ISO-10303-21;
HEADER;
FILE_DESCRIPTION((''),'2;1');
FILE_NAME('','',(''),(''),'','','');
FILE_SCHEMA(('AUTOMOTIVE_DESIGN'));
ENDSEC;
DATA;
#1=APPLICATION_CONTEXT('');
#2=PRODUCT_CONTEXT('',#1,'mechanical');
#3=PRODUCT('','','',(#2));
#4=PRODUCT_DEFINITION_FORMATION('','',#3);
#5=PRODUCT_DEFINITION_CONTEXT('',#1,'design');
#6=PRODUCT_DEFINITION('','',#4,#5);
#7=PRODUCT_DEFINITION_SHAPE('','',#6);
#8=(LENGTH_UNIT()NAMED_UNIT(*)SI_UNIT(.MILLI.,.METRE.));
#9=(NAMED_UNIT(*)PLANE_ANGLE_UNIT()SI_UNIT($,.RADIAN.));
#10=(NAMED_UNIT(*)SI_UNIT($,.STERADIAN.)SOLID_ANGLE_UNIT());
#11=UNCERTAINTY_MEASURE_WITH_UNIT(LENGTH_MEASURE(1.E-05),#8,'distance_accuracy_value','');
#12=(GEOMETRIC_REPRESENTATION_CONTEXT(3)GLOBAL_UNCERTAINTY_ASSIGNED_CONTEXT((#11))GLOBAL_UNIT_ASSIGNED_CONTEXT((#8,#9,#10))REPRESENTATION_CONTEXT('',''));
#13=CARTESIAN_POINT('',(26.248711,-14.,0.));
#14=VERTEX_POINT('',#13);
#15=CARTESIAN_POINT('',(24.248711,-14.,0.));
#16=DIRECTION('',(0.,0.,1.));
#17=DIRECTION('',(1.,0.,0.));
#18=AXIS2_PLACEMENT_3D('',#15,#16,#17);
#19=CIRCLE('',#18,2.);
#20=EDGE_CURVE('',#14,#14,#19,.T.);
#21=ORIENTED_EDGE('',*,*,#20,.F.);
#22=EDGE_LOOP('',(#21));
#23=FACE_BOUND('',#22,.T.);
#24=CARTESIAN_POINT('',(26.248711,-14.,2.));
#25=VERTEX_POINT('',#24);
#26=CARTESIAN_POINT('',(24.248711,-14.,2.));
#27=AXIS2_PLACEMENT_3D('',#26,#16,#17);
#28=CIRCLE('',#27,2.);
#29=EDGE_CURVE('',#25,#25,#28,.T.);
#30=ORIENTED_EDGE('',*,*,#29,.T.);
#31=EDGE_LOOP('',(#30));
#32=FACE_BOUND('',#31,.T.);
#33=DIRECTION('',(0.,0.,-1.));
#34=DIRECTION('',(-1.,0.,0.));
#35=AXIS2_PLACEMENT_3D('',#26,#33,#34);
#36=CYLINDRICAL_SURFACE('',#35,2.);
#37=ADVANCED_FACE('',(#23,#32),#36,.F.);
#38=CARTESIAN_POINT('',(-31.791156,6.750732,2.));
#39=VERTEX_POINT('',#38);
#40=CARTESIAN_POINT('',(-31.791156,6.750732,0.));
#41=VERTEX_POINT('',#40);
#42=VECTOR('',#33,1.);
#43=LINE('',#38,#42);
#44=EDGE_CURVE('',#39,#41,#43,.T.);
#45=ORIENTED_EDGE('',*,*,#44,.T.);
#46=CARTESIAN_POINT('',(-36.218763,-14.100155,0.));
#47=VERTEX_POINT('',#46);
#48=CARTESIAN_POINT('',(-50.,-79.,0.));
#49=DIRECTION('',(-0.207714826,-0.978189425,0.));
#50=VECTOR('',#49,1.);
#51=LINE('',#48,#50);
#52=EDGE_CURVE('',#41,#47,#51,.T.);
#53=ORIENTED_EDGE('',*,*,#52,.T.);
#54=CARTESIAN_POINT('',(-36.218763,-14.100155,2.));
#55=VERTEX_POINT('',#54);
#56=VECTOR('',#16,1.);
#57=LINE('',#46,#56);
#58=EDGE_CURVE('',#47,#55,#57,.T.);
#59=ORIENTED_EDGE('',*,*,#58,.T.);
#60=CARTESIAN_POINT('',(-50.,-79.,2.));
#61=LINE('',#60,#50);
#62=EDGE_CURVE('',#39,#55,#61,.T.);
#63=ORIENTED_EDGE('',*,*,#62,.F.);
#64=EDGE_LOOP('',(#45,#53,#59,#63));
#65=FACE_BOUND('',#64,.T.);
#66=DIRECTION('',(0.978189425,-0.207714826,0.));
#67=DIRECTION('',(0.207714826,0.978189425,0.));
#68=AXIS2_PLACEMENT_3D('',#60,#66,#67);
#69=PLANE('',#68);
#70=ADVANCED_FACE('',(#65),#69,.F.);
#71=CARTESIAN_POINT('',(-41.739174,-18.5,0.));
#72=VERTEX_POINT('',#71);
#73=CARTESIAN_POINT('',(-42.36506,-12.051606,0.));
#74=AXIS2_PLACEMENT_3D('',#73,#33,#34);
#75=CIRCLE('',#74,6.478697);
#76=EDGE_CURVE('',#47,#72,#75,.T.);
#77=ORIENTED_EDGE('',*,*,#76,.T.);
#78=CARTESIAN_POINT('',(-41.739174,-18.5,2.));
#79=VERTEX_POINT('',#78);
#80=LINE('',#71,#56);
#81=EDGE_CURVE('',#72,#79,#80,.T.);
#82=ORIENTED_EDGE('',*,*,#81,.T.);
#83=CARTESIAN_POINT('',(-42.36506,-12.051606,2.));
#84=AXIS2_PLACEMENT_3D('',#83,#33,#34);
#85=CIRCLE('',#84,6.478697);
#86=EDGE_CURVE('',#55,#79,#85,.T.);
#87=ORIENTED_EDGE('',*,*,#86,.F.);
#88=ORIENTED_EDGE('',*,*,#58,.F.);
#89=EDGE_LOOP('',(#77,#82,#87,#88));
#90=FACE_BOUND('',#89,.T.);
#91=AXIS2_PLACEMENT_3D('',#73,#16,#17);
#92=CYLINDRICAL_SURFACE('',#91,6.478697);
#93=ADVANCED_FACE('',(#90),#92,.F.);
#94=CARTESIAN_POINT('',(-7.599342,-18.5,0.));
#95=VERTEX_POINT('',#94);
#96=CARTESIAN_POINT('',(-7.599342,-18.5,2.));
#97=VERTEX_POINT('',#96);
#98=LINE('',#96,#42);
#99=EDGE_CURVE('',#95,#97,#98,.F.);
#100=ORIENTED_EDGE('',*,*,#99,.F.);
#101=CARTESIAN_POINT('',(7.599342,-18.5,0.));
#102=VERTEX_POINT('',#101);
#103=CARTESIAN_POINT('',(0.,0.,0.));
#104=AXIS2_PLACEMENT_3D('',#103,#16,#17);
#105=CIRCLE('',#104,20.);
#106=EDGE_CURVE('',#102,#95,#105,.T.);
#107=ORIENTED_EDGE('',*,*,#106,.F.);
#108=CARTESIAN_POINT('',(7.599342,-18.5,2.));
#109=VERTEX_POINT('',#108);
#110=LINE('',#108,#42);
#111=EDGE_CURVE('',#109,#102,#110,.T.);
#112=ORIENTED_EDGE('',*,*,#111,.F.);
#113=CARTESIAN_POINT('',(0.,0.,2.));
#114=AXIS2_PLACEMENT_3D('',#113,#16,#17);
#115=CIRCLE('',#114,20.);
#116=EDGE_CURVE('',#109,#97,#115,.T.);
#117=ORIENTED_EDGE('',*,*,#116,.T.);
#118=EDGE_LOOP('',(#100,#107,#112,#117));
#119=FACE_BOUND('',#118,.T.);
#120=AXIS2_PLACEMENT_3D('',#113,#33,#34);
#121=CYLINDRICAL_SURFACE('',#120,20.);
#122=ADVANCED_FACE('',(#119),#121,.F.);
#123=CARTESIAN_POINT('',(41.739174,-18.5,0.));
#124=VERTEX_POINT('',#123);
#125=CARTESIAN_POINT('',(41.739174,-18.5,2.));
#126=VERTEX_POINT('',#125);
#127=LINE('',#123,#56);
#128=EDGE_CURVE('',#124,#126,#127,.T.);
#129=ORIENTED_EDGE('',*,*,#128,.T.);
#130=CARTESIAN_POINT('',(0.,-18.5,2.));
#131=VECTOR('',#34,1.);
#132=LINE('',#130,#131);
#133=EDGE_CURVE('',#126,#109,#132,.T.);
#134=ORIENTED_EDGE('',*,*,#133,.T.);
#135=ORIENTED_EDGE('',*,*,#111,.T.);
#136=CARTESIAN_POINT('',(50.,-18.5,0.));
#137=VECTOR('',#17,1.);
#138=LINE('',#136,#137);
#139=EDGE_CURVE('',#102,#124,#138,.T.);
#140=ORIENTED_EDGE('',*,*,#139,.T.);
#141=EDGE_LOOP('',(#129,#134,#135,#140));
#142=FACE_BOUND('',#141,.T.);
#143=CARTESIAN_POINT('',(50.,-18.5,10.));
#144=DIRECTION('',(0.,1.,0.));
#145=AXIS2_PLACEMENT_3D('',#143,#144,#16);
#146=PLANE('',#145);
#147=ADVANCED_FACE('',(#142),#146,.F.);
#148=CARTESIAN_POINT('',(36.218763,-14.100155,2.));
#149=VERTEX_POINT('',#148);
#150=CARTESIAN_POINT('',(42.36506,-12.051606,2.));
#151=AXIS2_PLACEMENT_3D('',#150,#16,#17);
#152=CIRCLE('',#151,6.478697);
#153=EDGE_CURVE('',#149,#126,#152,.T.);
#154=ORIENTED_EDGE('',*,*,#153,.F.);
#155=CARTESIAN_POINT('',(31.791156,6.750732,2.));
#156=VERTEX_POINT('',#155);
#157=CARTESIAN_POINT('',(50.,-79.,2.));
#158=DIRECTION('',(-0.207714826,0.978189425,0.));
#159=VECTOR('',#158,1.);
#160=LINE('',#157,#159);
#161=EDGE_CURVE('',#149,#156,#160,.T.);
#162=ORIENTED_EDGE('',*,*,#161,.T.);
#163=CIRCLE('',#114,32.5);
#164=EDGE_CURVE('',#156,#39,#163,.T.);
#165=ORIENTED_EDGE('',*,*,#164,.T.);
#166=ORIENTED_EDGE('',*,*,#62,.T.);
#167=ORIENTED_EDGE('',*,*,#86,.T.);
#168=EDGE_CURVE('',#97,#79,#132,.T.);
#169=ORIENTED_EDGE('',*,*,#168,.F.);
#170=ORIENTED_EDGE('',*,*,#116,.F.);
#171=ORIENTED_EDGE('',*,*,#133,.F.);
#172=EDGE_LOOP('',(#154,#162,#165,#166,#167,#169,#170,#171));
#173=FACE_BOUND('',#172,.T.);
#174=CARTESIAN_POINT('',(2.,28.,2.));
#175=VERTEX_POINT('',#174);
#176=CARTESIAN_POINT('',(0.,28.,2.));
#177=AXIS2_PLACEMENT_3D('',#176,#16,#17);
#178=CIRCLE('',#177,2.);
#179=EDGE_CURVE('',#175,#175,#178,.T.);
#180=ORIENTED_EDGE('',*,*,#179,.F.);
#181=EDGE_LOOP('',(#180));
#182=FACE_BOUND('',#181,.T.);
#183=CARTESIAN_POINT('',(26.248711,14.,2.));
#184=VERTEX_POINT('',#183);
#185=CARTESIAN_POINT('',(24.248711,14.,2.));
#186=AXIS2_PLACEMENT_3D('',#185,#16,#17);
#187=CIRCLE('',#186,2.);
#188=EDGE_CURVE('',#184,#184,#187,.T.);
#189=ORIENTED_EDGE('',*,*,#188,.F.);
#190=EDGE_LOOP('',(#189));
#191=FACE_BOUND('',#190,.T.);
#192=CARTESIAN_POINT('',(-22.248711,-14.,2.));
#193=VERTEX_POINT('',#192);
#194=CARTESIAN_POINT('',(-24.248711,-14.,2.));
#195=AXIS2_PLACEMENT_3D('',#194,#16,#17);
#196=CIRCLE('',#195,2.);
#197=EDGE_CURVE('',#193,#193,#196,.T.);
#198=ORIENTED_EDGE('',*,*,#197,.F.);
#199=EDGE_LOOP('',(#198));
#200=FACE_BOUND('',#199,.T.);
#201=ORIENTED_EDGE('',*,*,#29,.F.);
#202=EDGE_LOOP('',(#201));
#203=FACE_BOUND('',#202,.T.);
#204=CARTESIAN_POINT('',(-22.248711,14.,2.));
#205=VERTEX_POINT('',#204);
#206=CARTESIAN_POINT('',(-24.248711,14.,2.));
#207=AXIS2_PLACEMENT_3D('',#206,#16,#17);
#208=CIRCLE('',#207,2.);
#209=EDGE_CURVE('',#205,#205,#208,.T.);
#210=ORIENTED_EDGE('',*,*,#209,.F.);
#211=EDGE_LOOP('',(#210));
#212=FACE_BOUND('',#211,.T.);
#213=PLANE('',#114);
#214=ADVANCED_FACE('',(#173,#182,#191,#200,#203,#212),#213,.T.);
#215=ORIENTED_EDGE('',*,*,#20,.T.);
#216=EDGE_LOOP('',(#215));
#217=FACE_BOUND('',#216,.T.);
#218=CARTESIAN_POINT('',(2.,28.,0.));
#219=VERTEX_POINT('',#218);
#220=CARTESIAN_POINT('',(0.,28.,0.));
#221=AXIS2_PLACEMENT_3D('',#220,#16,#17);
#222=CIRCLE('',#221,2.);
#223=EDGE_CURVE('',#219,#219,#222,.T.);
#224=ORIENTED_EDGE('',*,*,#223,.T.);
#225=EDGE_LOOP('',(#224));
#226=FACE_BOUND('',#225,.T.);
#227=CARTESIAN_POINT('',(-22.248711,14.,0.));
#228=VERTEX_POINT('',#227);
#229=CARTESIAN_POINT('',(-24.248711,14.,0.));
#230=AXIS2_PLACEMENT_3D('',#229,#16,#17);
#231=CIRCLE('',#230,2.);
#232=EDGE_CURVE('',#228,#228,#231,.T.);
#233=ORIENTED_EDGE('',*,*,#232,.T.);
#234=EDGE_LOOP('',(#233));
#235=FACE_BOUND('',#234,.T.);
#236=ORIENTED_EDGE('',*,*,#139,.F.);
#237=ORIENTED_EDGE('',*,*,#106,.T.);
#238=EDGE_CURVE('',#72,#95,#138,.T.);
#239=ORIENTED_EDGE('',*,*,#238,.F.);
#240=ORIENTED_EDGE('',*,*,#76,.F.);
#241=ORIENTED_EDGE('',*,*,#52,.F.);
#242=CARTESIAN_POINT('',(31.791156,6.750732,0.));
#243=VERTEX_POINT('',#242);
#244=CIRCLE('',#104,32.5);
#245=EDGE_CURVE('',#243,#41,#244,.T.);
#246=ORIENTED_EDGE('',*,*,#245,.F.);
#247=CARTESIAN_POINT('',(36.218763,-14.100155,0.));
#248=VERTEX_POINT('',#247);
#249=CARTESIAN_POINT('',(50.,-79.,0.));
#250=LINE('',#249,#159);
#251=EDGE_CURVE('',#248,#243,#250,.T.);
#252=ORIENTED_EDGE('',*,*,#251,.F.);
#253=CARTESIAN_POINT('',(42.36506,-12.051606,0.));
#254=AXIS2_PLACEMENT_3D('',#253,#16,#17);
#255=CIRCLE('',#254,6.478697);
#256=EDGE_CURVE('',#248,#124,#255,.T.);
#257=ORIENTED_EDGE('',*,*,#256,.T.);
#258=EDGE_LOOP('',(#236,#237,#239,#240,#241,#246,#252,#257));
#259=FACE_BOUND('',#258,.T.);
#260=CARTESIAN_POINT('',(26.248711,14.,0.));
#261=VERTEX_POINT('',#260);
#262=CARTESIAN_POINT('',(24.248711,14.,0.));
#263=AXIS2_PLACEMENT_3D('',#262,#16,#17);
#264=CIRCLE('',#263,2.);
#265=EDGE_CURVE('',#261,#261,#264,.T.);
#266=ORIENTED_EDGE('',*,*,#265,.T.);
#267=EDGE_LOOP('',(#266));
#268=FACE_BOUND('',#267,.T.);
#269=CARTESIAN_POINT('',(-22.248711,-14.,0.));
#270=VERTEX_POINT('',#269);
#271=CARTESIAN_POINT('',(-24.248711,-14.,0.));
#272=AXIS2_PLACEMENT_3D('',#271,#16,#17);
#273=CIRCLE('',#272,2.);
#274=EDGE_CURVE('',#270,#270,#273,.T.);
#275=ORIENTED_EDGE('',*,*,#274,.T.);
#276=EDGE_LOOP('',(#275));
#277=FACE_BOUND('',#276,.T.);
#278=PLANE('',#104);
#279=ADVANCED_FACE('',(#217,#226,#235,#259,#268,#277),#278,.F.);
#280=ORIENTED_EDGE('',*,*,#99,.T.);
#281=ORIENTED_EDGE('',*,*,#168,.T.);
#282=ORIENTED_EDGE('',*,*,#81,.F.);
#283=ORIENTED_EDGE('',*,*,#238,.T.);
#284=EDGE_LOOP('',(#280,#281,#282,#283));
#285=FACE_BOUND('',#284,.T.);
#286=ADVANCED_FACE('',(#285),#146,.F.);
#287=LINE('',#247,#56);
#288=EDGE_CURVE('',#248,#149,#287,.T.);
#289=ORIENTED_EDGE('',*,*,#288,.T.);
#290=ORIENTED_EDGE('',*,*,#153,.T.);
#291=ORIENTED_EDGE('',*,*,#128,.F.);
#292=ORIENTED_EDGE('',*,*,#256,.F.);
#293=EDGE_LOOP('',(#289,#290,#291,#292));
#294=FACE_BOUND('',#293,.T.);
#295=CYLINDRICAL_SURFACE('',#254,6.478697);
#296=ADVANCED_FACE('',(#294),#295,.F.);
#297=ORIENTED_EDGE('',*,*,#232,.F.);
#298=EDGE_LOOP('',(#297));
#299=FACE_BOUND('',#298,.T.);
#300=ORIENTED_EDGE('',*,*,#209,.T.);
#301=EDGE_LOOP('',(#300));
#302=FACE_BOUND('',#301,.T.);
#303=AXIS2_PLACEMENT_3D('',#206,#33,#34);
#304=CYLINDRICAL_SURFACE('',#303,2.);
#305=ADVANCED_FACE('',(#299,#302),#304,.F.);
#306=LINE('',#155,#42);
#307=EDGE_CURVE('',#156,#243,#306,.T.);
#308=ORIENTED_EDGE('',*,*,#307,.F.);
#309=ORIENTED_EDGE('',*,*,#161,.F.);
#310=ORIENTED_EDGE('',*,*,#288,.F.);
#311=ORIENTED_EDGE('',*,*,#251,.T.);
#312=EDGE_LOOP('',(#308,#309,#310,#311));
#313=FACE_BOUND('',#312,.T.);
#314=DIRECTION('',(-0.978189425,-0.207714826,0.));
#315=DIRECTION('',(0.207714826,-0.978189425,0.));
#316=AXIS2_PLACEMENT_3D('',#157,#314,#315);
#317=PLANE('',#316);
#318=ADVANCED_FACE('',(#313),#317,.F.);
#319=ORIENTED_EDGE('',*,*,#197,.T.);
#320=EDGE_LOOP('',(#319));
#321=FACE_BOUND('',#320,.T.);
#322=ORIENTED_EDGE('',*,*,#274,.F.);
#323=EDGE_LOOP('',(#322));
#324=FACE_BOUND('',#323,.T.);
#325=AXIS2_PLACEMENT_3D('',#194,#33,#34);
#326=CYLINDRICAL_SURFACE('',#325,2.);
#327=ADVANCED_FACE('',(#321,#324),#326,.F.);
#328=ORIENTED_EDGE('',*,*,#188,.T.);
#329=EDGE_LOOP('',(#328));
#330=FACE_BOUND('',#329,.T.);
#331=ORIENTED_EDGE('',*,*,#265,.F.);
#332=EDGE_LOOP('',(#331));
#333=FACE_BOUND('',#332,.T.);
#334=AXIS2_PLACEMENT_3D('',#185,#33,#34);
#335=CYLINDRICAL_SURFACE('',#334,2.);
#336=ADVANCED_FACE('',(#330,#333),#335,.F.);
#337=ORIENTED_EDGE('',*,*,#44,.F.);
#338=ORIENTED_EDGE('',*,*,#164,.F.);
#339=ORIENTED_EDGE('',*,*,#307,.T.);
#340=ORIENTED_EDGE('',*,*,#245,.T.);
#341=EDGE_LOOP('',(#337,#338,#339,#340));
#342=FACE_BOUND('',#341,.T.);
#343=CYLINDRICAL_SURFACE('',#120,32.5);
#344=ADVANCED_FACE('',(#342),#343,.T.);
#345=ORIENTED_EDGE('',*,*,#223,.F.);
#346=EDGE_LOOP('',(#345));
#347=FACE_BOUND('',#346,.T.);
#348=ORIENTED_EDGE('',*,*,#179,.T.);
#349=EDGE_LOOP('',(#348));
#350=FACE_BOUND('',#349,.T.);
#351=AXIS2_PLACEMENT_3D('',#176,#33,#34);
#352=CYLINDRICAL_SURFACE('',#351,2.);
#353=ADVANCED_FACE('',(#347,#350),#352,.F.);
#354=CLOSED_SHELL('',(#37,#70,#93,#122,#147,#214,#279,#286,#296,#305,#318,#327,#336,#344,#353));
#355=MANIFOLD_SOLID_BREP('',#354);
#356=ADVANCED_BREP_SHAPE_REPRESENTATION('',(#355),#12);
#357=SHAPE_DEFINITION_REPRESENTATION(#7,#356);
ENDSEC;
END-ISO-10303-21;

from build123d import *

# Parameters (mm, degrees)
SKETCH1_R           = 20
SKETCH1_R_2         = 2
SKETCH1_R_3         = 2.5
BOSS_EXTRUDE1_DEPTH = 2
SKETCH2_W           = 100.062981373
SKETCH2_H           = 60.5
CUT_EXTRUDE1_DEPTH  = 10
BOSS_EXTRUDE2_DEPTH = 2


with BuildPart() as part:
    # Sketch1 → Boss-Extrude1 (new body)
    with BuildSketch(Plane.XY):
        with BuildLine():
            Line((-50, -79), (50, -79))
            Line((50, -79), (31.791156311, 6.750731842))
            ThreePointArc((31.791156311, 6.750731842), (0, 32.5), (-31.791156311, 6.750731842))
            Line((-31.791156311, 6.750731842), (-50, -79))
        make_face()
        Circle(SKETCH1_R, mode=Mode.SUBTRACT)
        with Locations((0, 28)):
            Circle(SKETCH1_R_2, mode=Mode.SUBTRACT)
        with Locations((24.248711306, 14)):
            Circle(SKETCH1_R_2, mode=Mode.SUBTRACT)
        with Locations((24.248711306, -14)):
            Circle(SKETCH1_R_2, mode=Mode.SUBTRACT)
        with Locations((-24.248711306, -14)):
            Circle(SKETCH1_R_2, mode=Mode.SUBTRACT)
        with Locations((-24.248711306, 14)):
            Circle(SKETCH1_R_2, mode=Mode.SUBTRACT)
        with Locations((0, -71.5)):
            Circle(SKETCH1_R_3, mode=Mode.SUBTRACT)
        with Locations((23, -46.5)):
            Circle(SKETCH1_R_3, mode=Mode.SUBTRACT)
        with Locations((-23, -46.5)):
            Circle(SKETCH1_R_3, mode=Mode.SUBTRACT)
    extrude(amount=BOSS_EXTRUDE1_DEPTH)

    # Sketch2 → Cut-Extrude1 (cut)
    with BuildSketch(Plane(origin=(0, 0, 0), x_dir=(-1, 0, 0), z_dir=(0, 0, -1))):
        with Locations((0.031490687, -48.75)):
            Rectangle(SKETCH2_W, SKETCH2_H)
    extrude(amount=-CUT_EXTRUDE1_DEPTH, mode=Mode.SUBTRACT)

    # Sketch3 → Boss-Extrude2 (add)
    with BuildSketch(Plane.XY.offset(2)):
        with BuildLine():
            Line((-36.218763373, -14.100155361), (-37.153053746, -18.5))
            Line((-37.153053746, -18.5), (-41.739173899, -18.5))
            ThreePointArc((-41.739173899, -18.5), (-38.327081149, -17.117989866), (-36.218763373, -14.100155361))
        make_face()
    boss_extrude2 = extrude(amount=-BOSS_EXTRUDE2_DEPTH)

    # Mirror1: Boss-Extrude2 across plane
    add(boss_extrude2.mirror(Plane(origin=(0, 0, 0), x_dir=(0, 0, 1), z_dir=(1, 0, 0))))


solid = part.part
